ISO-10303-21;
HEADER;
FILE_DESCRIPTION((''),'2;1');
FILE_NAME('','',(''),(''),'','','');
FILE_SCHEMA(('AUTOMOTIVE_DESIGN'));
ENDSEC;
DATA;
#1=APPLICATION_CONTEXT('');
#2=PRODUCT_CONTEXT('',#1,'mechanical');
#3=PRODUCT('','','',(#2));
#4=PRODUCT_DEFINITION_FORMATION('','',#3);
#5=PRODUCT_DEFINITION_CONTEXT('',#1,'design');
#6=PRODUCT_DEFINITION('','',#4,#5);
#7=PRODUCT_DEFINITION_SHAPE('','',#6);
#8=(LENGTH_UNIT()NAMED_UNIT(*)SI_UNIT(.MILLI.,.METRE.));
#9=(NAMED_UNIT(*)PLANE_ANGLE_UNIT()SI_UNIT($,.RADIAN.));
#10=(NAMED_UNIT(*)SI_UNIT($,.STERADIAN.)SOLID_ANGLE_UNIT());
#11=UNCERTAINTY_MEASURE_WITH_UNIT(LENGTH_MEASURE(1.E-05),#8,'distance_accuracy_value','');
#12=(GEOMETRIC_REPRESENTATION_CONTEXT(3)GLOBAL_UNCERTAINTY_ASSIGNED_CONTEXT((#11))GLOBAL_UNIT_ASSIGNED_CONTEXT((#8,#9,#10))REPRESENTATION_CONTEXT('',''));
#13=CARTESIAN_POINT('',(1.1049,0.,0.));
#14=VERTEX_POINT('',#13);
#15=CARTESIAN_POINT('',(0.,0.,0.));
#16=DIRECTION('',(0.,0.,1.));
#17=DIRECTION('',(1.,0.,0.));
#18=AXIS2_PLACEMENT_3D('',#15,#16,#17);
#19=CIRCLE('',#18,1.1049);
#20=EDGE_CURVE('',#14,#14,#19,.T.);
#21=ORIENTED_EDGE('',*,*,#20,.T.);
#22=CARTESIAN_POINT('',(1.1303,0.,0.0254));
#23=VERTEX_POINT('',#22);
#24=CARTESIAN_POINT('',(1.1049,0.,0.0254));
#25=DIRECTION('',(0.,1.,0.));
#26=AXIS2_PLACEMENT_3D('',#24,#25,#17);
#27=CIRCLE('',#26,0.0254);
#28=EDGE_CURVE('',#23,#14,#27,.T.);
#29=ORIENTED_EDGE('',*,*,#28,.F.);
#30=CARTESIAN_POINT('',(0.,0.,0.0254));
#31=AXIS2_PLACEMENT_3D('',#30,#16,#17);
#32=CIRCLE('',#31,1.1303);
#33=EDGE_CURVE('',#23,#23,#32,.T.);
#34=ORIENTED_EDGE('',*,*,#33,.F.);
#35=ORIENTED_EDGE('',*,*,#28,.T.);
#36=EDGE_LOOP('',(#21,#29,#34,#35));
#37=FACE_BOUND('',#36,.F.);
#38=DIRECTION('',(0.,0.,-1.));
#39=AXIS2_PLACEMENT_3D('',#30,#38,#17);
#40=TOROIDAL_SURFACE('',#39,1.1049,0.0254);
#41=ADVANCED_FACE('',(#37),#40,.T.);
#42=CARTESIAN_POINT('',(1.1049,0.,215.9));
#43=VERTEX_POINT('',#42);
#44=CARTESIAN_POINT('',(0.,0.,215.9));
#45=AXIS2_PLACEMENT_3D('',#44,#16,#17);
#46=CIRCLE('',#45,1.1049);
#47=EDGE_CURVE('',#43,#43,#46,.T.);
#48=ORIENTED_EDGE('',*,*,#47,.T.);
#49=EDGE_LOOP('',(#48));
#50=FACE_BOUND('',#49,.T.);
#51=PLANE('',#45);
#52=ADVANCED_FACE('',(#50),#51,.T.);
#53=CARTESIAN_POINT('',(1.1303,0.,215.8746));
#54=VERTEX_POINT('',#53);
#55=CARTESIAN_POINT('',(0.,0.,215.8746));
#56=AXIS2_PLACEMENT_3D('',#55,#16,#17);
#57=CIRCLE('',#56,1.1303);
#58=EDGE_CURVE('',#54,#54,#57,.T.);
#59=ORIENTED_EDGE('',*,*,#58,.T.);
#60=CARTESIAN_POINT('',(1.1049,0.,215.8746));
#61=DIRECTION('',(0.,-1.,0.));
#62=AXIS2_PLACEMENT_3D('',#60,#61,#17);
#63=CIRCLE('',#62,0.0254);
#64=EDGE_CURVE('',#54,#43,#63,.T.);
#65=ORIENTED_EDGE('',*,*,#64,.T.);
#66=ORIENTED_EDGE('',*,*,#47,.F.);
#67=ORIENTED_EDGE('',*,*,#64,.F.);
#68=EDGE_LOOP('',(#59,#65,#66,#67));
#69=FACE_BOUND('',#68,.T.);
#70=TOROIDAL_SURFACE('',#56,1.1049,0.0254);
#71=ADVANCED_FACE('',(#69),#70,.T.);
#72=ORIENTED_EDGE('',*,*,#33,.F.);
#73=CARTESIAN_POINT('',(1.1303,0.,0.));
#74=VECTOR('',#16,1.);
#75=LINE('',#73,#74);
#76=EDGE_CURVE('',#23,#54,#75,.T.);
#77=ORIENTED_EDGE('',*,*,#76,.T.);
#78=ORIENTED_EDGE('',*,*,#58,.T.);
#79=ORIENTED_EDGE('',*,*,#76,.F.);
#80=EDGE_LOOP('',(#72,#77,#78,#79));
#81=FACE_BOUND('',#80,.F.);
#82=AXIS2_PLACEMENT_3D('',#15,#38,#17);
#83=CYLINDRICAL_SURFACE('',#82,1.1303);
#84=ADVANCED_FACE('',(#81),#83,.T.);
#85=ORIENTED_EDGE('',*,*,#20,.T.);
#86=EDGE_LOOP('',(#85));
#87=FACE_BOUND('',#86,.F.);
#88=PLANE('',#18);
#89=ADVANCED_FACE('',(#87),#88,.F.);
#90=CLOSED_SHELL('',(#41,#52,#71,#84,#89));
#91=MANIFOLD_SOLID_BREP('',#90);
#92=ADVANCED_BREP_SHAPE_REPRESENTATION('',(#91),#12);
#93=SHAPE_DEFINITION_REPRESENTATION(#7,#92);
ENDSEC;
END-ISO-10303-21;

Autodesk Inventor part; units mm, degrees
ref_plane "YZ Plane" through (0, 0, 0) normal (1, 0, 0) x (0, 1, 0)
ref_plane "XZ Plane" through (0, 0, 0) normal (0, 1, 0) x (-1, 0, 0)
ref_plane "XY Plane" through (0, 0, 0) normal (0, 0, 1) x (1, 0, 0)
sketch "Sketch1" plane through (0, 0, 0) normal (0, 0, 1) x (1, 0, 0)
  circle A0 centre (0, 0) radius 1.1303
  dimension "d0" = 2.2606
extrude "Extrusion1" add sketch "Sketch1" along normal blind 215.9
fillet "Fillet1" radius 0.0254 2 edges at (-1.1303, 0, 215.9) (-1.1303, 0, 0)
properties part number "Rudder_Hinge_Pin"
